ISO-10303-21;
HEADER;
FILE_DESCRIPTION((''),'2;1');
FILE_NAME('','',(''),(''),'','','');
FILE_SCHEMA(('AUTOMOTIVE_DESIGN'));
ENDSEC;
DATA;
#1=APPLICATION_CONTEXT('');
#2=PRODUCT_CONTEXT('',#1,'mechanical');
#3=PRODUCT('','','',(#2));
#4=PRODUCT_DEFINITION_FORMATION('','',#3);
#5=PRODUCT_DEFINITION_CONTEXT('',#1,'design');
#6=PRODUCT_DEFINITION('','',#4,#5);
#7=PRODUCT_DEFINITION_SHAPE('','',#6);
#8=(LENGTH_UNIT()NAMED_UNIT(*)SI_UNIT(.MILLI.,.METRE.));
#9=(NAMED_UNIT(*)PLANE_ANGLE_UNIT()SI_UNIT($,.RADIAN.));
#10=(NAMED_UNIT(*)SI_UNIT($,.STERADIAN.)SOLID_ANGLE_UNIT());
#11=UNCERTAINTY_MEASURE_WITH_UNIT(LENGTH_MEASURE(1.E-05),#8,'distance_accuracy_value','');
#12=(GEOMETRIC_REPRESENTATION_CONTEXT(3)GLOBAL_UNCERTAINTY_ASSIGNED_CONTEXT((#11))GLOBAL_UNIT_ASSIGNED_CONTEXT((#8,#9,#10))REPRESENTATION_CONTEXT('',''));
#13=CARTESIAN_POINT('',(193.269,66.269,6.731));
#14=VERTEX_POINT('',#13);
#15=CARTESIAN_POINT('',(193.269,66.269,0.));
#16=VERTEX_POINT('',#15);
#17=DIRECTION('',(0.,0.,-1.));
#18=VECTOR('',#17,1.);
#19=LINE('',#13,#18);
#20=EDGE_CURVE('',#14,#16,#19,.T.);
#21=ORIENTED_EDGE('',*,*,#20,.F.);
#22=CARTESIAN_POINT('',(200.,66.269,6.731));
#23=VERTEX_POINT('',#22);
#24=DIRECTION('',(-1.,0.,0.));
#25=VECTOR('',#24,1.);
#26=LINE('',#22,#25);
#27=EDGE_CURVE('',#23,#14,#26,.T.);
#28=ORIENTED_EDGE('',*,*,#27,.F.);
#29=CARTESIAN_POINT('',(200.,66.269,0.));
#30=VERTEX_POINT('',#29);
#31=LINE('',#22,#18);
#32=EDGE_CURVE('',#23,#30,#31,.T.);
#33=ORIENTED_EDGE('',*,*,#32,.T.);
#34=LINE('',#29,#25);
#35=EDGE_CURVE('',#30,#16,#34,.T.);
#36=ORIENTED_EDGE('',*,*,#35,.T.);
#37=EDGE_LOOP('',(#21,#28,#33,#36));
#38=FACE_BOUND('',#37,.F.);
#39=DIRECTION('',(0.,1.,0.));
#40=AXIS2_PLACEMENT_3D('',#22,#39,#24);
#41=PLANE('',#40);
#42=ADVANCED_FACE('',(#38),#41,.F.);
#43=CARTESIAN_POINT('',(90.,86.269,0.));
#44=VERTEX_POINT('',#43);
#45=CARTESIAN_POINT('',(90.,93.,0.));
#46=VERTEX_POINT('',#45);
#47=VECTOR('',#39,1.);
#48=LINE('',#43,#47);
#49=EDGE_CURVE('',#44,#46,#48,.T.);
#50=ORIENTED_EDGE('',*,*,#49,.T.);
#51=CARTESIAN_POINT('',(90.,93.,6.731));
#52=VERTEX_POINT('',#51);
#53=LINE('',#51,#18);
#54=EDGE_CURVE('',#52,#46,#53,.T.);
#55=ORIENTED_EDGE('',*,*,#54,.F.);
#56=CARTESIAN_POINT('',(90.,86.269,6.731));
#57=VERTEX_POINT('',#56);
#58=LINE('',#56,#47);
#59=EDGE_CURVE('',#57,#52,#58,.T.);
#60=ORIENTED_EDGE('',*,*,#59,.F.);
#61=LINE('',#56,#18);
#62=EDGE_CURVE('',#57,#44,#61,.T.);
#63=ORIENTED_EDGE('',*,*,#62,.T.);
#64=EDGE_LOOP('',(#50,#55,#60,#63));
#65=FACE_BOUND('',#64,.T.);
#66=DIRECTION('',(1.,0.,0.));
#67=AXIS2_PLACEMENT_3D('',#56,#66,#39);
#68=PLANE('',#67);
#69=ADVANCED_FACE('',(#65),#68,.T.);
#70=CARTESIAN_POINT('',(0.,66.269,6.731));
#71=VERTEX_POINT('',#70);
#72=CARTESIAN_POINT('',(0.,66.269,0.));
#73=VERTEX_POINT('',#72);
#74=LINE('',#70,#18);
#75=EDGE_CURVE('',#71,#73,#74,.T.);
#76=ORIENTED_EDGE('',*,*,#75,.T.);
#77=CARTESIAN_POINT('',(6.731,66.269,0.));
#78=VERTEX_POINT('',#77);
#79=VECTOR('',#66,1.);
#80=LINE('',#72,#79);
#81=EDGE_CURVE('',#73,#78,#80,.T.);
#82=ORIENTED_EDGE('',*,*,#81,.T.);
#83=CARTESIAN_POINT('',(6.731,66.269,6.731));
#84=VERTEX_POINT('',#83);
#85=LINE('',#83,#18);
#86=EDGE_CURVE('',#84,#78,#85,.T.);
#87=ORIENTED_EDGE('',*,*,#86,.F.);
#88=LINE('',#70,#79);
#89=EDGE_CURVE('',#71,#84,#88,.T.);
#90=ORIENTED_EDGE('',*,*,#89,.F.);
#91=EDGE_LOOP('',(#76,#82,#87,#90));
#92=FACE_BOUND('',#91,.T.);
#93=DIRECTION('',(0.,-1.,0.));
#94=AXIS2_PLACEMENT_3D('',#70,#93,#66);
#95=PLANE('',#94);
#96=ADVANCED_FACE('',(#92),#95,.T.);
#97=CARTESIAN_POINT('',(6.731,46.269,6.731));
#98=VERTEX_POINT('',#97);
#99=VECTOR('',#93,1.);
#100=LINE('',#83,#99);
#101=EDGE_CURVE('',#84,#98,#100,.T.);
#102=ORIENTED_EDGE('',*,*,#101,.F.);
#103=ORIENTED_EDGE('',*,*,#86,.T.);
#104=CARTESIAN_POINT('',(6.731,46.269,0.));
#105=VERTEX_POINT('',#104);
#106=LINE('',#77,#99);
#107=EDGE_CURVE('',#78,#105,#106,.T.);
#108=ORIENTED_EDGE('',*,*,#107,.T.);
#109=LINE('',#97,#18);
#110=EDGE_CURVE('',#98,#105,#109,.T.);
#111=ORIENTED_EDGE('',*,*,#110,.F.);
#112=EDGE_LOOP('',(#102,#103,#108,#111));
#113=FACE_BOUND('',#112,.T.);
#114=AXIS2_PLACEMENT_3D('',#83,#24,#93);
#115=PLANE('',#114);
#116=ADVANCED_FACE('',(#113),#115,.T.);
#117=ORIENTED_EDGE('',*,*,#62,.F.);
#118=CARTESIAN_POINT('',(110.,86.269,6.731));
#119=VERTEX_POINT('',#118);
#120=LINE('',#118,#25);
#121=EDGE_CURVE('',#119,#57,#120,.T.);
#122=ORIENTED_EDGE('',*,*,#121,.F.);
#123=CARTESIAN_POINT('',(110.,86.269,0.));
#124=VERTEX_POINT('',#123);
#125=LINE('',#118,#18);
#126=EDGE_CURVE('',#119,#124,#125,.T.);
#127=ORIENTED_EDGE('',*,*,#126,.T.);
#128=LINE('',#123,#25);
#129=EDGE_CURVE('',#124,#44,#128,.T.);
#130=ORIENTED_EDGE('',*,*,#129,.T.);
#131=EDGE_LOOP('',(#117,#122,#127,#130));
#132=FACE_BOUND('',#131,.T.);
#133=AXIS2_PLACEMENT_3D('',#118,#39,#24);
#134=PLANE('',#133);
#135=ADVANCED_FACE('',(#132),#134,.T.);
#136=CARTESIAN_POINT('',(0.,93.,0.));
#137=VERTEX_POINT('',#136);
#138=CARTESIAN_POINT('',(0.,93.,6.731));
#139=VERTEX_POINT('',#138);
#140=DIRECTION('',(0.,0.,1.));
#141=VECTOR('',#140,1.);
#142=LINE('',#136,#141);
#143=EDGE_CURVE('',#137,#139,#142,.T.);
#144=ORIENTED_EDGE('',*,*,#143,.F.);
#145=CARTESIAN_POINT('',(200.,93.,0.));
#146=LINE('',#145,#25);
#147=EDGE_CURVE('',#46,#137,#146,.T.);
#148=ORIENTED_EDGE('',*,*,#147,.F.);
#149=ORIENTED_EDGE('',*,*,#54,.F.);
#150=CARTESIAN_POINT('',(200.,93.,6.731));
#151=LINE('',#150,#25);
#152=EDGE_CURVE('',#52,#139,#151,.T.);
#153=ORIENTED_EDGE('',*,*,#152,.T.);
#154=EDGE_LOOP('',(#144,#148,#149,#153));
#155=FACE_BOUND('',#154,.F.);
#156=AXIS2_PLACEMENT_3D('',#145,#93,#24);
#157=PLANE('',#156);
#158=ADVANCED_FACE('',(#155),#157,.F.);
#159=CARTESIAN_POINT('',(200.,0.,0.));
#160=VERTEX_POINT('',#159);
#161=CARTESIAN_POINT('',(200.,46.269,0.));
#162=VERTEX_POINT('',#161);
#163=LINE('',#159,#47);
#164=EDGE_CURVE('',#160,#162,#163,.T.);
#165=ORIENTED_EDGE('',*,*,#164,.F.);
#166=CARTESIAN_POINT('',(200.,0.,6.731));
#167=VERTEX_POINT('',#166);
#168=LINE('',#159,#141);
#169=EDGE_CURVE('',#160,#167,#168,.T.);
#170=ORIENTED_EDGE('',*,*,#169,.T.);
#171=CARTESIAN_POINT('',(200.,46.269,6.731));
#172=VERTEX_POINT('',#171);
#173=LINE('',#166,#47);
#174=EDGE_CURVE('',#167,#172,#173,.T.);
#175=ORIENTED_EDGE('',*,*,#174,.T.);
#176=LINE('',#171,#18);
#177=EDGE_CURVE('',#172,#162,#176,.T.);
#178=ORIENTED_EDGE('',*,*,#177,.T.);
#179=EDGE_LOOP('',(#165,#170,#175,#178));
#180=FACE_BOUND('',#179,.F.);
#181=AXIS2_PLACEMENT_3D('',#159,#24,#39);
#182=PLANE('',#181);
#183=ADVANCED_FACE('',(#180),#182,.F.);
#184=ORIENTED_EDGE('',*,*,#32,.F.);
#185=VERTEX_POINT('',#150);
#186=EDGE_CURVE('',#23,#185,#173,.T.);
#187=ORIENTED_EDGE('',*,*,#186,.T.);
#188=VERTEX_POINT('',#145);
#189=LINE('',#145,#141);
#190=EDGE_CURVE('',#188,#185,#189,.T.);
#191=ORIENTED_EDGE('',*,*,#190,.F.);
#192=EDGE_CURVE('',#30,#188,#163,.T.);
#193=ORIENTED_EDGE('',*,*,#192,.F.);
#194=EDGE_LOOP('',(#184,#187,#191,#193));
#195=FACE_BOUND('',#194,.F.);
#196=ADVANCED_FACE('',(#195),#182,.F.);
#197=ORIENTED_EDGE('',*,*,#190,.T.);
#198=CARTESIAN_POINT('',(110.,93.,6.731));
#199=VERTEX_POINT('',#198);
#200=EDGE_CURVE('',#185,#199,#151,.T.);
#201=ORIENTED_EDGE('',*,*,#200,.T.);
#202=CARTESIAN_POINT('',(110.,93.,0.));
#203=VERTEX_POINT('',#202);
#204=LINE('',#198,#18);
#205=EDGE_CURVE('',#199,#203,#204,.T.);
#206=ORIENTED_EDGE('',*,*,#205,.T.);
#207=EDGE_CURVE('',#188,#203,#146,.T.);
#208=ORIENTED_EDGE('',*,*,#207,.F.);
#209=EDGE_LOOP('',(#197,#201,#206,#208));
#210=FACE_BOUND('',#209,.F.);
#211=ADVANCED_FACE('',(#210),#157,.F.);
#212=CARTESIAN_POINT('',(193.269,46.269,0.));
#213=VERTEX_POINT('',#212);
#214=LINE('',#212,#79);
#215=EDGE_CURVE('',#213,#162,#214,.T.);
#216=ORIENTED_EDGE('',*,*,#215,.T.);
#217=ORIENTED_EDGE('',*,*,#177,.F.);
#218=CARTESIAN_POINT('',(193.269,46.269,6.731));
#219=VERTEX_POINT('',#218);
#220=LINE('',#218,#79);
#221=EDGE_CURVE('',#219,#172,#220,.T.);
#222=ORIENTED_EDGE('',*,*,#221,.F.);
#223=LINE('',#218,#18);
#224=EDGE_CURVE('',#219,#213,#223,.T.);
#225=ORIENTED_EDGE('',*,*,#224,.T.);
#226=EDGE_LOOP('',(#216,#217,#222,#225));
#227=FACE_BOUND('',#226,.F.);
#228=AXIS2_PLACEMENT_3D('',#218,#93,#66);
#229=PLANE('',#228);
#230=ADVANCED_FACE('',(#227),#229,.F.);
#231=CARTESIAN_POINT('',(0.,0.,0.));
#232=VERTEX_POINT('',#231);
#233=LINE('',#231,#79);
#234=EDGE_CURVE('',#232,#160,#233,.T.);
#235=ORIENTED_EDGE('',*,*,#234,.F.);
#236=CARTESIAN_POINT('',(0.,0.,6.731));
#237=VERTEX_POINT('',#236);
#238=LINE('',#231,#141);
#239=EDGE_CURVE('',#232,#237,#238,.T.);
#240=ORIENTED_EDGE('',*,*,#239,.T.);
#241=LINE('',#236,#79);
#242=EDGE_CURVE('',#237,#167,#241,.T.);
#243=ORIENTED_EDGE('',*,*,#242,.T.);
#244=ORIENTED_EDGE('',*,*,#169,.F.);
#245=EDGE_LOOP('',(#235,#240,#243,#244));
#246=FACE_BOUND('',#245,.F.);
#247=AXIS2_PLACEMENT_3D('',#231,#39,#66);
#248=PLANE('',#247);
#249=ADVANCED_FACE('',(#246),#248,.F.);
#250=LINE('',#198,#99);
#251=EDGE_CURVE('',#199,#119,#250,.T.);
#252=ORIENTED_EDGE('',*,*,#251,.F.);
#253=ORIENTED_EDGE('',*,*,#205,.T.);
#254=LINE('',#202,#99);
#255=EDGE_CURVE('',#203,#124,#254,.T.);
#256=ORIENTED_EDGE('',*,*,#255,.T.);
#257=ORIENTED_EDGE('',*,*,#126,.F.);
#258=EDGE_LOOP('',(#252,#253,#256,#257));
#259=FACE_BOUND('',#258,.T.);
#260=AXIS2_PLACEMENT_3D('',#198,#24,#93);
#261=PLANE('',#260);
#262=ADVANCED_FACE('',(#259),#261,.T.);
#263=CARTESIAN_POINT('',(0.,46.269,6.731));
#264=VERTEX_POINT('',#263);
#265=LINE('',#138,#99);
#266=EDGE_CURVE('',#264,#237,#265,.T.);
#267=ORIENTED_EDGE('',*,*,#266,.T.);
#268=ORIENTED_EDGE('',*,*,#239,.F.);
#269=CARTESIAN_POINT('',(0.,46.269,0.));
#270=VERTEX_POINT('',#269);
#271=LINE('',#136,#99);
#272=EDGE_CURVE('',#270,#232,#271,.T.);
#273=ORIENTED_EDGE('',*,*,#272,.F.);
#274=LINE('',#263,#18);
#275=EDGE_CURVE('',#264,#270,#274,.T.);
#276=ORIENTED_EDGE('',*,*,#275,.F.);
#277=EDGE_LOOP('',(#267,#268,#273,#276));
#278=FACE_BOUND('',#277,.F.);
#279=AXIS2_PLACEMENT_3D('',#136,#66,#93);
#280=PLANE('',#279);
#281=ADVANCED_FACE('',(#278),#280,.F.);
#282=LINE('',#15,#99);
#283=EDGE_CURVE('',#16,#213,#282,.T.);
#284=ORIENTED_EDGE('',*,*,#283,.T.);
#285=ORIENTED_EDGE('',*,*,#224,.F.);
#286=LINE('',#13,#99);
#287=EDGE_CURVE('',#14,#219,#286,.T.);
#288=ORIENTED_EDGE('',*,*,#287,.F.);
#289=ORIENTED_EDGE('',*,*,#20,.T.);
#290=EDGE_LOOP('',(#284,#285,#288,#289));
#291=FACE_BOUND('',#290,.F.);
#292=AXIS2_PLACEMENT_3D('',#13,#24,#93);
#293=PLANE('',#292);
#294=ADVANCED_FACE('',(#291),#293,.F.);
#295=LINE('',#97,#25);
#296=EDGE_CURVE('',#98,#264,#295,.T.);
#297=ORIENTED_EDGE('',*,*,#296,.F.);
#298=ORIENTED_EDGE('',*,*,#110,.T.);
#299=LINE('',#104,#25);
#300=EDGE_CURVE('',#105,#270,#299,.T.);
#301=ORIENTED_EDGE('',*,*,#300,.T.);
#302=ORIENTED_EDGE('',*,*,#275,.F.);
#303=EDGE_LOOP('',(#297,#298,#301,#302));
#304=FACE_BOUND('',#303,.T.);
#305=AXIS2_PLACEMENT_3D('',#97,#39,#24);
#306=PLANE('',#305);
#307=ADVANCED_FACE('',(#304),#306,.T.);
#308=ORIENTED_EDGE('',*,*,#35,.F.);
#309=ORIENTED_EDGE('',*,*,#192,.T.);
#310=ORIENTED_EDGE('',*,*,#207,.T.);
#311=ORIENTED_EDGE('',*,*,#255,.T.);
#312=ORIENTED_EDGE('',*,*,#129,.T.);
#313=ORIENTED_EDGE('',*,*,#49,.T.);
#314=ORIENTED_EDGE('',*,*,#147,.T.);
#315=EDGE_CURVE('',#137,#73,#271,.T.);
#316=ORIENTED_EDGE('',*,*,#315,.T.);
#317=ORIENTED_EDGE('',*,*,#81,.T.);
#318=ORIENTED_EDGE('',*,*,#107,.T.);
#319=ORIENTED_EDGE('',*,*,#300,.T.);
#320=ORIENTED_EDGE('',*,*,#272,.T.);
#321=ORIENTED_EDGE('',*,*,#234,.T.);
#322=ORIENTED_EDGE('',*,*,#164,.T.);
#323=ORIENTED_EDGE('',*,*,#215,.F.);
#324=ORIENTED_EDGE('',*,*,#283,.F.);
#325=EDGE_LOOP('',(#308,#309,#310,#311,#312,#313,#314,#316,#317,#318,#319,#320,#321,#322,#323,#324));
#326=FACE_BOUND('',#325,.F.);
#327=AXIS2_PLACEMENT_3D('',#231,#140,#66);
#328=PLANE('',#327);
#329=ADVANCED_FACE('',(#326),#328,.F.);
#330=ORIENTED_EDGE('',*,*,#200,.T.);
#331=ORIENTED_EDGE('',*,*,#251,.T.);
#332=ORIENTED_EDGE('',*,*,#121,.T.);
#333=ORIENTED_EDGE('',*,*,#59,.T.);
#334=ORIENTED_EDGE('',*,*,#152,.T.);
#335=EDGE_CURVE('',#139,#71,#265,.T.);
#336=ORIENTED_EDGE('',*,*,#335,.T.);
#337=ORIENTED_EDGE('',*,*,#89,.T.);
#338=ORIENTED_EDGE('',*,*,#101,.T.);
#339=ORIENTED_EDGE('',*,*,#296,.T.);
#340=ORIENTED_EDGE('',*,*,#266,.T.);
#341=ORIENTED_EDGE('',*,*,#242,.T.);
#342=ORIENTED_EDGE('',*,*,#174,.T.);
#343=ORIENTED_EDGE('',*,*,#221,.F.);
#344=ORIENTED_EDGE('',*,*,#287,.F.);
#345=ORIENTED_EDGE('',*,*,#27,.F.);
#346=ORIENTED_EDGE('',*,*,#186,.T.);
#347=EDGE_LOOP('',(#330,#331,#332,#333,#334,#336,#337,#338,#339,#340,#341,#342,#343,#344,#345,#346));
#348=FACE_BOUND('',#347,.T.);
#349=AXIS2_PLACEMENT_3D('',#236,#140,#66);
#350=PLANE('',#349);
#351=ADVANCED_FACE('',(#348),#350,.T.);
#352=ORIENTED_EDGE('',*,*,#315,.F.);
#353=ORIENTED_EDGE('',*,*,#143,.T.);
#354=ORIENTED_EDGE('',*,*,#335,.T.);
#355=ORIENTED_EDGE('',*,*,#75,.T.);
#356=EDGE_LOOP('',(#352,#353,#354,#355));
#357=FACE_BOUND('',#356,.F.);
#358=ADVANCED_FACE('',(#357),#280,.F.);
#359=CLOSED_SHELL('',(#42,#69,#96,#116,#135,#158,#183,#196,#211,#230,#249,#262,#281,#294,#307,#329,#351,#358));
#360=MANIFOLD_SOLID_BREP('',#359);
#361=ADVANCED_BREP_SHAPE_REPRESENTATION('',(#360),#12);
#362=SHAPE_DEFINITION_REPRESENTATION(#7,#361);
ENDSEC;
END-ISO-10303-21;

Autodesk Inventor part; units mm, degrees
ref_plane "YZ Plane" through (0, 0, 0) normal (1, 0, 0) x (0, 1, 0)
ref_plane "XZ Plane" through (0, 0, 0) normal (0, 1, 0) x (-1, 0, 0)
ref_plane "XY Plane" through (0, 0, 0) normal (0, 0, 1) x (1, 0, 0)
sketch "Sketch1" plane through (0, 0, 0) normal (0, 0, 1) x (1, 0, 0)
  line L0 (0, 0) -> (200, 0)
  line L1 (200, 0) -> (200, 93)
  line L2 (200, 93) -> (0, 93)
  line L3 (0, 93) -> (0, 0)
  dimension "d0" = 93
  dimension "d1" = 200
extrude "Extrusion1" add sketch "Sketch1" along normal blind 6.731
sketch "Sketch2" plane through (0, 0, 6.731) normal (0, 0, 1) x (1, 0, 0)
  line L0 (200, 0) -> (200, 93) projected
  line L1 (200, 93) -> (0, 93) projected
  line L2 (0, 93) -> (0, 0) projected
  line L3 (90, 93) -> (110, 93)
  line L4 (110, 93) -> (110, 86.269)
  line L5 (110, 86.269) -> (90, 86.269)
  line L6 (90, 86.269) -> (90, 93)
  line L7 (0, 66.269) -> (6.731, 66.269)
  line L8 (6.731, 66.269) -> (6.731, 46.269)
  line L9 (6.731, 46.269) -> (0, 46.269)
  line L10 (0, 46.269) -> (0, 66.269)
  line L11 (200, 66.269) -> (193.269, 66.269)
  line L12 (193.269, 66.269) -> (193.269, 46.269)
  line L13 (193.269, 46.269) -> (200, 46.269)
  line L14 (200, 46.269) -> (200, 66.269)
  point P0 (100, 86.269)
  point P1 (100, 93)
  dimension "d5" = 20
  dimension "d6" = 6.731
  dimension "d9" = 20
extrude "Extrusion2" cut sketch "Sketch2" against normal blind 6.731
equation "\"d2\" = THICKB"
equation "\"d6\" = THICKB"
equation "\"d7\" = THICKB"
equation "\"THICKA\" = 3.175"
equation "\"THICKB\" = 6.731"
equation "\"THICKC\" = 12.7"
equation "\"THICKPLY\" = 5"
equation "\"MAGDIA\" = 9.5"
equation "\"BALLDIA\" = 12"
properties part number "Controller_Top"
